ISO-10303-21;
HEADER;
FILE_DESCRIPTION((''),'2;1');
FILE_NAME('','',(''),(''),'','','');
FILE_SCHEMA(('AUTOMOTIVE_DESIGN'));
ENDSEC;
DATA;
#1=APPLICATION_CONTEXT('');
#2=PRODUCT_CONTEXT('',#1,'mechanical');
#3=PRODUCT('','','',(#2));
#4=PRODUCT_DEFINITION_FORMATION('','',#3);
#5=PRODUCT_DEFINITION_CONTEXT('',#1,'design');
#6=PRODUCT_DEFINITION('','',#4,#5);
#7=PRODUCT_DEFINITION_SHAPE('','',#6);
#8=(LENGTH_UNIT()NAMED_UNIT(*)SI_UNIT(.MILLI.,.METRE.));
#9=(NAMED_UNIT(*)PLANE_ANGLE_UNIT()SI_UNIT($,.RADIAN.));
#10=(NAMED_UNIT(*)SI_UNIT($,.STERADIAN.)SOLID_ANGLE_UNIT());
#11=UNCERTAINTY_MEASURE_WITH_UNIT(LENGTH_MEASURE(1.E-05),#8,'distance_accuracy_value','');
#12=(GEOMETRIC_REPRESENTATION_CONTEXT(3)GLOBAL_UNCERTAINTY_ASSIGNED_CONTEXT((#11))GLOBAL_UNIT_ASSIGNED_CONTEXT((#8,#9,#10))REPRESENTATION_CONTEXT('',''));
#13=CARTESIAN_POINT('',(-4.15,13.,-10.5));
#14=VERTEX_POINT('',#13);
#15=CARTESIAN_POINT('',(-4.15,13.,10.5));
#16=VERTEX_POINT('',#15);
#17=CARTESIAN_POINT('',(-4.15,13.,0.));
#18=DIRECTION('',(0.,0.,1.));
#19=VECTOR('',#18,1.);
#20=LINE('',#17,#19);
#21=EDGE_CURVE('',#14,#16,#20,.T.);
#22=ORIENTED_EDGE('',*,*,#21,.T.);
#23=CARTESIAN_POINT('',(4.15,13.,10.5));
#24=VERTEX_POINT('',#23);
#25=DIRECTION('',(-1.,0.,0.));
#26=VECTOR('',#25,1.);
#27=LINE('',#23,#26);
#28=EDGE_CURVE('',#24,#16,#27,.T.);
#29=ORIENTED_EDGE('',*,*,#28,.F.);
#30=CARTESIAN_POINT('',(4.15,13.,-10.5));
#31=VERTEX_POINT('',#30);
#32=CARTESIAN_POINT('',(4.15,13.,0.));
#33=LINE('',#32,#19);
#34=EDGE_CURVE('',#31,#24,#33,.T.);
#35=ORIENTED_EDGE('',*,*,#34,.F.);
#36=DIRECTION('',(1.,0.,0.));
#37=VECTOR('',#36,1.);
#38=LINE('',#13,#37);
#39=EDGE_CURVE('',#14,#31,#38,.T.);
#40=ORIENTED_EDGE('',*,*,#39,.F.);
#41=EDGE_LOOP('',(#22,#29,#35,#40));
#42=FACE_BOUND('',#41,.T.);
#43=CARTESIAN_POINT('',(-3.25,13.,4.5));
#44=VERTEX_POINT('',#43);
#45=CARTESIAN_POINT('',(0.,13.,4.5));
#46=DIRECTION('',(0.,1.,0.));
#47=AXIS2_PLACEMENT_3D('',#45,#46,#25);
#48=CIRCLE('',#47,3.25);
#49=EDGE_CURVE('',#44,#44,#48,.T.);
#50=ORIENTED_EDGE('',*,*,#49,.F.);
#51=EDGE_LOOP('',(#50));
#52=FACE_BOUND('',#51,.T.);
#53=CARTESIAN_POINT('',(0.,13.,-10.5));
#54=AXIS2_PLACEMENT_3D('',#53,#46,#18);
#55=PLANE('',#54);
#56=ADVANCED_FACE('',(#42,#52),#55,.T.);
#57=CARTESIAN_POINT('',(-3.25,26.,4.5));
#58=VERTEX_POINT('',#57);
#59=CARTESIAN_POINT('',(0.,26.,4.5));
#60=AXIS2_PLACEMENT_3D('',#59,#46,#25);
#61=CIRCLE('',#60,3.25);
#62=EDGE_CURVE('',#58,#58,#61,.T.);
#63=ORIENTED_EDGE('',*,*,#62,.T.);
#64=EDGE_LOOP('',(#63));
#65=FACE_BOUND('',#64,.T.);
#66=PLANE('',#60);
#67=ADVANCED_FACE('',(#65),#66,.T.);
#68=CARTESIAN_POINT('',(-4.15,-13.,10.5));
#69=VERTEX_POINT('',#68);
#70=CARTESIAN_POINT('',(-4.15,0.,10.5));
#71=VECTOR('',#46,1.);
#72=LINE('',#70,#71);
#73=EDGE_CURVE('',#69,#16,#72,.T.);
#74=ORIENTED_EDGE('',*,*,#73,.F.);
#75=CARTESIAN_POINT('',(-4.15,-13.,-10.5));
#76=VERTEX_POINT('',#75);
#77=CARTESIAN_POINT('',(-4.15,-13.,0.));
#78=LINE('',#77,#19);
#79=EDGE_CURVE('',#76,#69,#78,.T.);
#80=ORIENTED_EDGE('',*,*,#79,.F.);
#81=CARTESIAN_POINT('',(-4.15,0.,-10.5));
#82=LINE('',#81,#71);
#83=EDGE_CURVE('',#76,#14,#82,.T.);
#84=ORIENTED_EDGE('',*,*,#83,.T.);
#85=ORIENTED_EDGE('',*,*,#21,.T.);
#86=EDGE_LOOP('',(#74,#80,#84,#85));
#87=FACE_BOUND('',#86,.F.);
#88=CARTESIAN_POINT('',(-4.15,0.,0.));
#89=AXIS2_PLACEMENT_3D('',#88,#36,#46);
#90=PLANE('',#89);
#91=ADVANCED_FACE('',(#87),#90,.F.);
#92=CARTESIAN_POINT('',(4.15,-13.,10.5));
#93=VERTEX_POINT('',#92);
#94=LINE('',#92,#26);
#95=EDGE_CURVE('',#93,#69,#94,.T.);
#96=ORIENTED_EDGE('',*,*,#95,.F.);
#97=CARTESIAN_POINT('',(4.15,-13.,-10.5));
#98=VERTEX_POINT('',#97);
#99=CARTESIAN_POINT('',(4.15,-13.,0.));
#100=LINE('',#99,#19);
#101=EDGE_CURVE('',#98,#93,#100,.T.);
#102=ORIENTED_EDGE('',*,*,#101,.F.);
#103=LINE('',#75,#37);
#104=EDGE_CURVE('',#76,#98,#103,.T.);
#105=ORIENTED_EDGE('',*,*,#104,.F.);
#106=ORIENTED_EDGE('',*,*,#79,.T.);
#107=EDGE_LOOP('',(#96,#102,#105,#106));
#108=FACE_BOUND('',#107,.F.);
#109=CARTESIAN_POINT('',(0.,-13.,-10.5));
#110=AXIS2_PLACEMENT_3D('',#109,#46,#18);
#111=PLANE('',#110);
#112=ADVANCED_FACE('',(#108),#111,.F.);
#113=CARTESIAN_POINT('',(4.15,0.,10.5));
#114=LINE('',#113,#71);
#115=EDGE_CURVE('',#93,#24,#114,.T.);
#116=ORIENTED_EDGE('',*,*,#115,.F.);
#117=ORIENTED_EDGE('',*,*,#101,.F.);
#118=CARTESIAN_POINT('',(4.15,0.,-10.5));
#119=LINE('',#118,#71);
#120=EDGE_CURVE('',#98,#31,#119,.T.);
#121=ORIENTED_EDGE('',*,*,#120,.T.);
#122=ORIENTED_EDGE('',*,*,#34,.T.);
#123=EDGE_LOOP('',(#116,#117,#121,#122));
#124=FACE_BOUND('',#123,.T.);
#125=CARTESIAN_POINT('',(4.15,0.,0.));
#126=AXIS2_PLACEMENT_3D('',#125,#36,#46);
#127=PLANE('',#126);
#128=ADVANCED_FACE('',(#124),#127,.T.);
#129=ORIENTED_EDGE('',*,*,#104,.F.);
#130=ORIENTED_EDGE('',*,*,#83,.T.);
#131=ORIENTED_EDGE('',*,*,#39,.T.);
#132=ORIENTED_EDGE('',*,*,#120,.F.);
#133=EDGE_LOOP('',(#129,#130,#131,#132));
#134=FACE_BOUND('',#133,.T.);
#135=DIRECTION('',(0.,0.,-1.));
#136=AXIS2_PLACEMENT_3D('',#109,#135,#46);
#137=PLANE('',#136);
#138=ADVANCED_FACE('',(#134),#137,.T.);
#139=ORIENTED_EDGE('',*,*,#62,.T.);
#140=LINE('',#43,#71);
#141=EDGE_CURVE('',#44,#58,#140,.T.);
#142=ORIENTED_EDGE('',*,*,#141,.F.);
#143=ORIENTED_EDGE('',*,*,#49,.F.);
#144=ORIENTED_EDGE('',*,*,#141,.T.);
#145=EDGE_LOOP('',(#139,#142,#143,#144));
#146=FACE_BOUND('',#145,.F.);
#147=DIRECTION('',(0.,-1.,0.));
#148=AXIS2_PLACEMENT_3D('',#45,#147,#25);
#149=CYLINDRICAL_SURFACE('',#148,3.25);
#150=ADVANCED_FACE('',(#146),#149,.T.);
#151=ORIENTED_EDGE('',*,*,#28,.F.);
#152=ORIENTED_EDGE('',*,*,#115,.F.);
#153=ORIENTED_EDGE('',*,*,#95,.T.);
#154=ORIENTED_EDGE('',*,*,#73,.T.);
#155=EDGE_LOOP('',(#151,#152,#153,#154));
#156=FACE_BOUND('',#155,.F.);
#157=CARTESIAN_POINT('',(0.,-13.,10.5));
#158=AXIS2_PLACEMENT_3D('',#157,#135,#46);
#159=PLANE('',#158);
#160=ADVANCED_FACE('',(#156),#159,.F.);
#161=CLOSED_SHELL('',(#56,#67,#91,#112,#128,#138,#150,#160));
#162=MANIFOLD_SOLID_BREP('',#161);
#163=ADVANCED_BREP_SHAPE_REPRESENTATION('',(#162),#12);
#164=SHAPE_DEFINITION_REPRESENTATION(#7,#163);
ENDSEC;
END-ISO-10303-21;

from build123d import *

# Parameters (mm, degrees)
F0_W     = 26
F0_H     = 21
F1_DEPTH = 4.15
F2_R     = 3.25
F3_DEPTH = 13


with BuildPart() as f1:
    # F0 (on Right) → F1 (new body, symmetric)
    with BuildSketch(Plane.YZ):
        Rectangle(F0_W, F0_H)
    extrude(amount=F1_DEPTH, both=True)

    # F2 (on face) → F3 (join)
    with BuildSketch(Plane(origin=(0, 13, 0), x_dir=(-1, 0, 0), z_dir=(0, 1, 0))):
        with Locations((0, 4.5)):
            Circle(F2_R)
    extrude(amount=F3_DEPTH)


solid = f1.part
